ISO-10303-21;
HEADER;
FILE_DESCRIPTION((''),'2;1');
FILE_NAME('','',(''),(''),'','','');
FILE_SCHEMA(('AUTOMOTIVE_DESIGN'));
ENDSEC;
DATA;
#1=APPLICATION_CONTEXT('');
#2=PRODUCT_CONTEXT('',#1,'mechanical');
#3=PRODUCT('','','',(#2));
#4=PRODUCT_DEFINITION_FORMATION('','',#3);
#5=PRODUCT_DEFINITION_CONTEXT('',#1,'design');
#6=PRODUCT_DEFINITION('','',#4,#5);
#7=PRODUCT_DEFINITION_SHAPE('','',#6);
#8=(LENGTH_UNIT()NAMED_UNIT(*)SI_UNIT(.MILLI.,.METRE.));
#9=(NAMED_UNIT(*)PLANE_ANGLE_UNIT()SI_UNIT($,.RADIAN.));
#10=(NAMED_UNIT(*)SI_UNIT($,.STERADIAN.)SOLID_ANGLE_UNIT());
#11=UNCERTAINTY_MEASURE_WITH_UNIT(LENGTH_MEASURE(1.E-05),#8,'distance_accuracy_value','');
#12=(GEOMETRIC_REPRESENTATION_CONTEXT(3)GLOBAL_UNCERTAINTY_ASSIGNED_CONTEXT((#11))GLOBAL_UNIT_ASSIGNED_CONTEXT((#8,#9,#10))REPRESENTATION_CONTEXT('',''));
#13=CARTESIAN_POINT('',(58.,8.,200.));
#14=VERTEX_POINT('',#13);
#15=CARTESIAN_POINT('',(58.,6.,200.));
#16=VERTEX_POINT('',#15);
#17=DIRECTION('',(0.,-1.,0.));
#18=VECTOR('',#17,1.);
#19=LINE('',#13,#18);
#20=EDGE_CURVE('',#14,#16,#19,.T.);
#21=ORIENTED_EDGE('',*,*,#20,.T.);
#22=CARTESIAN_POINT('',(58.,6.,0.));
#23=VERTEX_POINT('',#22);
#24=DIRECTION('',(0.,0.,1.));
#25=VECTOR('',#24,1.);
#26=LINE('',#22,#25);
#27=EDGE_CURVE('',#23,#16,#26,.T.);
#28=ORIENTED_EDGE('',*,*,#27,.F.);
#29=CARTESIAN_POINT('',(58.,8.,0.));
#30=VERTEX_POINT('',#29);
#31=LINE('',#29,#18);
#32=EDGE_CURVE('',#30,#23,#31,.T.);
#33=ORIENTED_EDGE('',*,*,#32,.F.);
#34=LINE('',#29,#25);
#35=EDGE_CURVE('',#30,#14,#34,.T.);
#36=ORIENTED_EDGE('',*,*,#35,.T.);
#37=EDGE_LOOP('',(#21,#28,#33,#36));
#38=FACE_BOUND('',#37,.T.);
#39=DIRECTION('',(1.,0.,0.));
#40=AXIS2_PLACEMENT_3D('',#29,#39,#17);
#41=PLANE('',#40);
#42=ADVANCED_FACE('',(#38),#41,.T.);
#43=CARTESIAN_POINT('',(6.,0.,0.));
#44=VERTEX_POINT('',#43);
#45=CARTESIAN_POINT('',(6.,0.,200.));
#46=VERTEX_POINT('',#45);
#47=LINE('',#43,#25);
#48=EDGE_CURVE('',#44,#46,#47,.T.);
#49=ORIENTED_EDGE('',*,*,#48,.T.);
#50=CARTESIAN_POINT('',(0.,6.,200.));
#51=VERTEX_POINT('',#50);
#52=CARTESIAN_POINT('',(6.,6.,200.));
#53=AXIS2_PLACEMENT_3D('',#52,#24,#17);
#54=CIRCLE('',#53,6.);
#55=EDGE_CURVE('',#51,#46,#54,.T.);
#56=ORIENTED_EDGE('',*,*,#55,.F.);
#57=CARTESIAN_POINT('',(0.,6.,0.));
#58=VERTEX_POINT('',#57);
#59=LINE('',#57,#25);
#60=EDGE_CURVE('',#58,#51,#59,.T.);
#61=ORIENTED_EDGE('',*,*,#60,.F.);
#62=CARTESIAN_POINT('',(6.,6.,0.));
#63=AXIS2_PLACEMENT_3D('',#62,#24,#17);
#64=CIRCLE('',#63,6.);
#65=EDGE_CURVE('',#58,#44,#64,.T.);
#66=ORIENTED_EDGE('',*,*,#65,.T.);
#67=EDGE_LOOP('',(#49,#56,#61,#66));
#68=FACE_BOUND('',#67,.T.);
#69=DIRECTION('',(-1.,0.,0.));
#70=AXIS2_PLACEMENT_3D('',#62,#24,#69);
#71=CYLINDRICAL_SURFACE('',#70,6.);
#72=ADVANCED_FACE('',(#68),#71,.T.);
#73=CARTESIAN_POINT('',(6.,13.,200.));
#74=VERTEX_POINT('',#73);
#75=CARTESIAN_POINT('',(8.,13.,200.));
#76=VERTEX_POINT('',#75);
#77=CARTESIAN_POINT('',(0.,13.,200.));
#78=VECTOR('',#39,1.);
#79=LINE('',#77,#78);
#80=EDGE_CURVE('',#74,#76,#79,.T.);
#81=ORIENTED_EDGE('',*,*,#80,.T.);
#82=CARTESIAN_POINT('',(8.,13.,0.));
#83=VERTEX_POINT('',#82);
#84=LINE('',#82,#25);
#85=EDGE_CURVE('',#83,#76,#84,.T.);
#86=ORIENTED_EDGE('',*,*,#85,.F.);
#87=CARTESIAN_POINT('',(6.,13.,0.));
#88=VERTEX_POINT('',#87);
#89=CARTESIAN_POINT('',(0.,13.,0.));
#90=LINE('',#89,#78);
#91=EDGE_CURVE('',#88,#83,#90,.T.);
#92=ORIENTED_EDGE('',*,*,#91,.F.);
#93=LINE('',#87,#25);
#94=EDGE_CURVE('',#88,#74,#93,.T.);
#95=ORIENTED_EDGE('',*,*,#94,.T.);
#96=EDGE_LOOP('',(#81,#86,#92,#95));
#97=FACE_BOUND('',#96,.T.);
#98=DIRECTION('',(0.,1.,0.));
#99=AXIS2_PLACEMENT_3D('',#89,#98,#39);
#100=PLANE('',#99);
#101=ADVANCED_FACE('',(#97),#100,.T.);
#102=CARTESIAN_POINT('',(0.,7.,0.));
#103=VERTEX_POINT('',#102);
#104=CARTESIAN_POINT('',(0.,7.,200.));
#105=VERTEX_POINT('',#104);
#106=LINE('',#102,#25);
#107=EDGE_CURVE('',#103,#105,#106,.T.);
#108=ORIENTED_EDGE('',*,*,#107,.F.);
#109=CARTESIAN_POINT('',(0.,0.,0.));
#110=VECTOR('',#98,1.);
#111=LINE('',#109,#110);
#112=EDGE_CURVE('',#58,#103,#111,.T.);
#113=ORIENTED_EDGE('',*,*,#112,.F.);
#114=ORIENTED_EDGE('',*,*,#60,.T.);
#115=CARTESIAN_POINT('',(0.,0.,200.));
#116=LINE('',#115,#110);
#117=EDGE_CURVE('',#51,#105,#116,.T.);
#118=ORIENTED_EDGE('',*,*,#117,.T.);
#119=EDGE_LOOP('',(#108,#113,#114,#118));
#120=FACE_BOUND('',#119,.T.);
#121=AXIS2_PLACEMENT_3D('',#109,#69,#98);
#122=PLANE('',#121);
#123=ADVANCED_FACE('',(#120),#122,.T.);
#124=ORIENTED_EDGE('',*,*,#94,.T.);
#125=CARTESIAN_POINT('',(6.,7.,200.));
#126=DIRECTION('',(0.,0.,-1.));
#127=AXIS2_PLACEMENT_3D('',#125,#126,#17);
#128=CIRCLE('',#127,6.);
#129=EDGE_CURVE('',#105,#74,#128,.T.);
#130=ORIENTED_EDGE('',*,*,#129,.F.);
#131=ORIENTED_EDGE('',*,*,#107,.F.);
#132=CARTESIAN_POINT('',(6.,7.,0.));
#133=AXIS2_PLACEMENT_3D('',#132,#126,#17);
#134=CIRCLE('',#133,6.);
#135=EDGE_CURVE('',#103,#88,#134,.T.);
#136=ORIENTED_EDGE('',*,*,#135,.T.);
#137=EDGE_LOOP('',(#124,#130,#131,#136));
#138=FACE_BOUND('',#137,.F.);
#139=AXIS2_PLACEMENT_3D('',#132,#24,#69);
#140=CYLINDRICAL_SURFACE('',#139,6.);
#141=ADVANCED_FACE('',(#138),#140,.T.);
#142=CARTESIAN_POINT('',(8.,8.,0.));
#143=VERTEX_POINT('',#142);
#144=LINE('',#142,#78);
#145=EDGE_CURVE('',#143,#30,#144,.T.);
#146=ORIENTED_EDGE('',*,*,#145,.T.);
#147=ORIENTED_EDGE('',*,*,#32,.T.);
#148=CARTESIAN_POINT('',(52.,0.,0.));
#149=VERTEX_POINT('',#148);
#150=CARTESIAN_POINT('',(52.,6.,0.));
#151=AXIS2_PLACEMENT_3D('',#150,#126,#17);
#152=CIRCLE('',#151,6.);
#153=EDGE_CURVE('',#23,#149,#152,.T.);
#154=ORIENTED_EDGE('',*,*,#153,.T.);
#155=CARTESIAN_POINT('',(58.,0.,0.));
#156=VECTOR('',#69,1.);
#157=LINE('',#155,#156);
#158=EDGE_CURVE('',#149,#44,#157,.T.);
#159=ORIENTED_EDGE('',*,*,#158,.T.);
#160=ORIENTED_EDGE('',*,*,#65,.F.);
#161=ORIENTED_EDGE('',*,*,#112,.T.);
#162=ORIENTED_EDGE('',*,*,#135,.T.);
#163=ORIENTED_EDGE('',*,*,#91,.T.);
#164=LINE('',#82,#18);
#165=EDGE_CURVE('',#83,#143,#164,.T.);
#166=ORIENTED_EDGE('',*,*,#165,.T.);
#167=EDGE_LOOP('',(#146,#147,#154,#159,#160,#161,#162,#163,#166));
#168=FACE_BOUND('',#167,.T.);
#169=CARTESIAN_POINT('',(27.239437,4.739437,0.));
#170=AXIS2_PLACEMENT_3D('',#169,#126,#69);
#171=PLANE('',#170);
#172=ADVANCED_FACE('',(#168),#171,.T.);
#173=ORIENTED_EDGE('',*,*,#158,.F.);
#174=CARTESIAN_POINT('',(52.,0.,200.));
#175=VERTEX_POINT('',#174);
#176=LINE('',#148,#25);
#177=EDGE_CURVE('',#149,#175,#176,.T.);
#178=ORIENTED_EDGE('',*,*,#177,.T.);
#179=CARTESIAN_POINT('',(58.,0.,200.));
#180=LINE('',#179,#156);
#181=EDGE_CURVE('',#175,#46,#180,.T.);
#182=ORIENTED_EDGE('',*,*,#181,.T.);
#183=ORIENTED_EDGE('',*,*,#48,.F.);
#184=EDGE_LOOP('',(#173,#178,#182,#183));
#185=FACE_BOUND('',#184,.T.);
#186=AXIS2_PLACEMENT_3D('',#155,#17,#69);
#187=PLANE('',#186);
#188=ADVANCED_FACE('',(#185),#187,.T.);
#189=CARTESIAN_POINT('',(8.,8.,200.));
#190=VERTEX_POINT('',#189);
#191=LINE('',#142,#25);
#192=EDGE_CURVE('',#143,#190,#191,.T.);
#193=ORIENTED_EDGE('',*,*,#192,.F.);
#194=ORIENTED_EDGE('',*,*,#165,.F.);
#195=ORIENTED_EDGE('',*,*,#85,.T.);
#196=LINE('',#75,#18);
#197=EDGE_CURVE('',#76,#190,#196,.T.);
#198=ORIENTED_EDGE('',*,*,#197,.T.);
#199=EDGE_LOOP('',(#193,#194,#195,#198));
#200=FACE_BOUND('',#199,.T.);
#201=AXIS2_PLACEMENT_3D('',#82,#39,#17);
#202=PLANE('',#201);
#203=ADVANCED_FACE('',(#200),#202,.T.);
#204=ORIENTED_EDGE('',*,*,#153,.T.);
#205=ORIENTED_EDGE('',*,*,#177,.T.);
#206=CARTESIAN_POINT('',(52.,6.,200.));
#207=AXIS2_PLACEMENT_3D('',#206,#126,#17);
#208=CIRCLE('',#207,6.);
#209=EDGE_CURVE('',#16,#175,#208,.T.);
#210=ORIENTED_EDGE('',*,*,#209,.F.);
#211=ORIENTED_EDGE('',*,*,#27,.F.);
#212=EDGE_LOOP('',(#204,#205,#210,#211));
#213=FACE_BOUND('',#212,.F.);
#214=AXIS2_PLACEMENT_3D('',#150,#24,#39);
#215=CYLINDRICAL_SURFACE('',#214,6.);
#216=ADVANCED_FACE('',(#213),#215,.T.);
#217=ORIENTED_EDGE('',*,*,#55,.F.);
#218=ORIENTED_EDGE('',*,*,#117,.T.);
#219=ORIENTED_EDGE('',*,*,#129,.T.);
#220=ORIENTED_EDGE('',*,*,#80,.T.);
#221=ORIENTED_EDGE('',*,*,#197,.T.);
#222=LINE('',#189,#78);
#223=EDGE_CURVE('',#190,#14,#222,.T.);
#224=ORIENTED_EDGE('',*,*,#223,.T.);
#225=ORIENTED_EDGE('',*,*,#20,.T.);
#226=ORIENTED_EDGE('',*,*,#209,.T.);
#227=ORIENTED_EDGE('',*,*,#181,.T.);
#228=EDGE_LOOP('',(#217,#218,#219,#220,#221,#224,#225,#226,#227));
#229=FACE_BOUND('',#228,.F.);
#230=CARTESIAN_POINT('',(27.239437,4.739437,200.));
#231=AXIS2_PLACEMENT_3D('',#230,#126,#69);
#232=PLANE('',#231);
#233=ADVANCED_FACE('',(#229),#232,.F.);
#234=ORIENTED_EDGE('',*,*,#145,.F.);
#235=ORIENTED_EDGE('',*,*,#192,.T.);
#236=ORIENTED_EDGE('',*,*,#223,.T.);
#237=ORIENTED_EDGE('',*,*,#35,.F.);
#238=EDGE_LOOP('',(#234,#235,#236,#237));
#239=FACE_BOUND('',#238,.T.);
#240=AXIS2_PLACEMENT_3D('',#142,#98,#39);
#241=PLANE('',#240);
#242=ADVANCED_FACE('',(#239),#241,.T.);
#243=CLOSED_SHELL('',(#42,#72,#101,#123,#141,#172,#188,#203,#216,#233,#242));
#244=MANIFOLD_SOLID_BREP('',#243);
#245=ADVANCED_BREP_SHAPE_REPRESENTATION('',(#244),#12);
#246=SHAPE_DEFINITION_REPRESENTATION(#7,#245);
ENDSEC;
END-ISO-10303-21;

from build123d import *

# Parameters (mm, degrees)
PAD_DEPTH = 200
FILLET_R  = 6


with BuildPart() as part:
    # Sketch → Pad (new body)
    with BuildSketch(Plane.XY):
        Polygon((0, 0), (0, 13), (8, 13), (8, 8), (58, 8), (58, 0), align=None)
    extrude(amount=PAD_DEPTH)

    # Fillet
    fillet_edges = [part.edges().sort_by_distance(p)[0] for p in [
        (58, 0, 100),
        (0, 0, 100),
        (0, 13, 100),
    ]]
    fillet(fillet_edges, radius=FILLET_R)


solid = part.part
